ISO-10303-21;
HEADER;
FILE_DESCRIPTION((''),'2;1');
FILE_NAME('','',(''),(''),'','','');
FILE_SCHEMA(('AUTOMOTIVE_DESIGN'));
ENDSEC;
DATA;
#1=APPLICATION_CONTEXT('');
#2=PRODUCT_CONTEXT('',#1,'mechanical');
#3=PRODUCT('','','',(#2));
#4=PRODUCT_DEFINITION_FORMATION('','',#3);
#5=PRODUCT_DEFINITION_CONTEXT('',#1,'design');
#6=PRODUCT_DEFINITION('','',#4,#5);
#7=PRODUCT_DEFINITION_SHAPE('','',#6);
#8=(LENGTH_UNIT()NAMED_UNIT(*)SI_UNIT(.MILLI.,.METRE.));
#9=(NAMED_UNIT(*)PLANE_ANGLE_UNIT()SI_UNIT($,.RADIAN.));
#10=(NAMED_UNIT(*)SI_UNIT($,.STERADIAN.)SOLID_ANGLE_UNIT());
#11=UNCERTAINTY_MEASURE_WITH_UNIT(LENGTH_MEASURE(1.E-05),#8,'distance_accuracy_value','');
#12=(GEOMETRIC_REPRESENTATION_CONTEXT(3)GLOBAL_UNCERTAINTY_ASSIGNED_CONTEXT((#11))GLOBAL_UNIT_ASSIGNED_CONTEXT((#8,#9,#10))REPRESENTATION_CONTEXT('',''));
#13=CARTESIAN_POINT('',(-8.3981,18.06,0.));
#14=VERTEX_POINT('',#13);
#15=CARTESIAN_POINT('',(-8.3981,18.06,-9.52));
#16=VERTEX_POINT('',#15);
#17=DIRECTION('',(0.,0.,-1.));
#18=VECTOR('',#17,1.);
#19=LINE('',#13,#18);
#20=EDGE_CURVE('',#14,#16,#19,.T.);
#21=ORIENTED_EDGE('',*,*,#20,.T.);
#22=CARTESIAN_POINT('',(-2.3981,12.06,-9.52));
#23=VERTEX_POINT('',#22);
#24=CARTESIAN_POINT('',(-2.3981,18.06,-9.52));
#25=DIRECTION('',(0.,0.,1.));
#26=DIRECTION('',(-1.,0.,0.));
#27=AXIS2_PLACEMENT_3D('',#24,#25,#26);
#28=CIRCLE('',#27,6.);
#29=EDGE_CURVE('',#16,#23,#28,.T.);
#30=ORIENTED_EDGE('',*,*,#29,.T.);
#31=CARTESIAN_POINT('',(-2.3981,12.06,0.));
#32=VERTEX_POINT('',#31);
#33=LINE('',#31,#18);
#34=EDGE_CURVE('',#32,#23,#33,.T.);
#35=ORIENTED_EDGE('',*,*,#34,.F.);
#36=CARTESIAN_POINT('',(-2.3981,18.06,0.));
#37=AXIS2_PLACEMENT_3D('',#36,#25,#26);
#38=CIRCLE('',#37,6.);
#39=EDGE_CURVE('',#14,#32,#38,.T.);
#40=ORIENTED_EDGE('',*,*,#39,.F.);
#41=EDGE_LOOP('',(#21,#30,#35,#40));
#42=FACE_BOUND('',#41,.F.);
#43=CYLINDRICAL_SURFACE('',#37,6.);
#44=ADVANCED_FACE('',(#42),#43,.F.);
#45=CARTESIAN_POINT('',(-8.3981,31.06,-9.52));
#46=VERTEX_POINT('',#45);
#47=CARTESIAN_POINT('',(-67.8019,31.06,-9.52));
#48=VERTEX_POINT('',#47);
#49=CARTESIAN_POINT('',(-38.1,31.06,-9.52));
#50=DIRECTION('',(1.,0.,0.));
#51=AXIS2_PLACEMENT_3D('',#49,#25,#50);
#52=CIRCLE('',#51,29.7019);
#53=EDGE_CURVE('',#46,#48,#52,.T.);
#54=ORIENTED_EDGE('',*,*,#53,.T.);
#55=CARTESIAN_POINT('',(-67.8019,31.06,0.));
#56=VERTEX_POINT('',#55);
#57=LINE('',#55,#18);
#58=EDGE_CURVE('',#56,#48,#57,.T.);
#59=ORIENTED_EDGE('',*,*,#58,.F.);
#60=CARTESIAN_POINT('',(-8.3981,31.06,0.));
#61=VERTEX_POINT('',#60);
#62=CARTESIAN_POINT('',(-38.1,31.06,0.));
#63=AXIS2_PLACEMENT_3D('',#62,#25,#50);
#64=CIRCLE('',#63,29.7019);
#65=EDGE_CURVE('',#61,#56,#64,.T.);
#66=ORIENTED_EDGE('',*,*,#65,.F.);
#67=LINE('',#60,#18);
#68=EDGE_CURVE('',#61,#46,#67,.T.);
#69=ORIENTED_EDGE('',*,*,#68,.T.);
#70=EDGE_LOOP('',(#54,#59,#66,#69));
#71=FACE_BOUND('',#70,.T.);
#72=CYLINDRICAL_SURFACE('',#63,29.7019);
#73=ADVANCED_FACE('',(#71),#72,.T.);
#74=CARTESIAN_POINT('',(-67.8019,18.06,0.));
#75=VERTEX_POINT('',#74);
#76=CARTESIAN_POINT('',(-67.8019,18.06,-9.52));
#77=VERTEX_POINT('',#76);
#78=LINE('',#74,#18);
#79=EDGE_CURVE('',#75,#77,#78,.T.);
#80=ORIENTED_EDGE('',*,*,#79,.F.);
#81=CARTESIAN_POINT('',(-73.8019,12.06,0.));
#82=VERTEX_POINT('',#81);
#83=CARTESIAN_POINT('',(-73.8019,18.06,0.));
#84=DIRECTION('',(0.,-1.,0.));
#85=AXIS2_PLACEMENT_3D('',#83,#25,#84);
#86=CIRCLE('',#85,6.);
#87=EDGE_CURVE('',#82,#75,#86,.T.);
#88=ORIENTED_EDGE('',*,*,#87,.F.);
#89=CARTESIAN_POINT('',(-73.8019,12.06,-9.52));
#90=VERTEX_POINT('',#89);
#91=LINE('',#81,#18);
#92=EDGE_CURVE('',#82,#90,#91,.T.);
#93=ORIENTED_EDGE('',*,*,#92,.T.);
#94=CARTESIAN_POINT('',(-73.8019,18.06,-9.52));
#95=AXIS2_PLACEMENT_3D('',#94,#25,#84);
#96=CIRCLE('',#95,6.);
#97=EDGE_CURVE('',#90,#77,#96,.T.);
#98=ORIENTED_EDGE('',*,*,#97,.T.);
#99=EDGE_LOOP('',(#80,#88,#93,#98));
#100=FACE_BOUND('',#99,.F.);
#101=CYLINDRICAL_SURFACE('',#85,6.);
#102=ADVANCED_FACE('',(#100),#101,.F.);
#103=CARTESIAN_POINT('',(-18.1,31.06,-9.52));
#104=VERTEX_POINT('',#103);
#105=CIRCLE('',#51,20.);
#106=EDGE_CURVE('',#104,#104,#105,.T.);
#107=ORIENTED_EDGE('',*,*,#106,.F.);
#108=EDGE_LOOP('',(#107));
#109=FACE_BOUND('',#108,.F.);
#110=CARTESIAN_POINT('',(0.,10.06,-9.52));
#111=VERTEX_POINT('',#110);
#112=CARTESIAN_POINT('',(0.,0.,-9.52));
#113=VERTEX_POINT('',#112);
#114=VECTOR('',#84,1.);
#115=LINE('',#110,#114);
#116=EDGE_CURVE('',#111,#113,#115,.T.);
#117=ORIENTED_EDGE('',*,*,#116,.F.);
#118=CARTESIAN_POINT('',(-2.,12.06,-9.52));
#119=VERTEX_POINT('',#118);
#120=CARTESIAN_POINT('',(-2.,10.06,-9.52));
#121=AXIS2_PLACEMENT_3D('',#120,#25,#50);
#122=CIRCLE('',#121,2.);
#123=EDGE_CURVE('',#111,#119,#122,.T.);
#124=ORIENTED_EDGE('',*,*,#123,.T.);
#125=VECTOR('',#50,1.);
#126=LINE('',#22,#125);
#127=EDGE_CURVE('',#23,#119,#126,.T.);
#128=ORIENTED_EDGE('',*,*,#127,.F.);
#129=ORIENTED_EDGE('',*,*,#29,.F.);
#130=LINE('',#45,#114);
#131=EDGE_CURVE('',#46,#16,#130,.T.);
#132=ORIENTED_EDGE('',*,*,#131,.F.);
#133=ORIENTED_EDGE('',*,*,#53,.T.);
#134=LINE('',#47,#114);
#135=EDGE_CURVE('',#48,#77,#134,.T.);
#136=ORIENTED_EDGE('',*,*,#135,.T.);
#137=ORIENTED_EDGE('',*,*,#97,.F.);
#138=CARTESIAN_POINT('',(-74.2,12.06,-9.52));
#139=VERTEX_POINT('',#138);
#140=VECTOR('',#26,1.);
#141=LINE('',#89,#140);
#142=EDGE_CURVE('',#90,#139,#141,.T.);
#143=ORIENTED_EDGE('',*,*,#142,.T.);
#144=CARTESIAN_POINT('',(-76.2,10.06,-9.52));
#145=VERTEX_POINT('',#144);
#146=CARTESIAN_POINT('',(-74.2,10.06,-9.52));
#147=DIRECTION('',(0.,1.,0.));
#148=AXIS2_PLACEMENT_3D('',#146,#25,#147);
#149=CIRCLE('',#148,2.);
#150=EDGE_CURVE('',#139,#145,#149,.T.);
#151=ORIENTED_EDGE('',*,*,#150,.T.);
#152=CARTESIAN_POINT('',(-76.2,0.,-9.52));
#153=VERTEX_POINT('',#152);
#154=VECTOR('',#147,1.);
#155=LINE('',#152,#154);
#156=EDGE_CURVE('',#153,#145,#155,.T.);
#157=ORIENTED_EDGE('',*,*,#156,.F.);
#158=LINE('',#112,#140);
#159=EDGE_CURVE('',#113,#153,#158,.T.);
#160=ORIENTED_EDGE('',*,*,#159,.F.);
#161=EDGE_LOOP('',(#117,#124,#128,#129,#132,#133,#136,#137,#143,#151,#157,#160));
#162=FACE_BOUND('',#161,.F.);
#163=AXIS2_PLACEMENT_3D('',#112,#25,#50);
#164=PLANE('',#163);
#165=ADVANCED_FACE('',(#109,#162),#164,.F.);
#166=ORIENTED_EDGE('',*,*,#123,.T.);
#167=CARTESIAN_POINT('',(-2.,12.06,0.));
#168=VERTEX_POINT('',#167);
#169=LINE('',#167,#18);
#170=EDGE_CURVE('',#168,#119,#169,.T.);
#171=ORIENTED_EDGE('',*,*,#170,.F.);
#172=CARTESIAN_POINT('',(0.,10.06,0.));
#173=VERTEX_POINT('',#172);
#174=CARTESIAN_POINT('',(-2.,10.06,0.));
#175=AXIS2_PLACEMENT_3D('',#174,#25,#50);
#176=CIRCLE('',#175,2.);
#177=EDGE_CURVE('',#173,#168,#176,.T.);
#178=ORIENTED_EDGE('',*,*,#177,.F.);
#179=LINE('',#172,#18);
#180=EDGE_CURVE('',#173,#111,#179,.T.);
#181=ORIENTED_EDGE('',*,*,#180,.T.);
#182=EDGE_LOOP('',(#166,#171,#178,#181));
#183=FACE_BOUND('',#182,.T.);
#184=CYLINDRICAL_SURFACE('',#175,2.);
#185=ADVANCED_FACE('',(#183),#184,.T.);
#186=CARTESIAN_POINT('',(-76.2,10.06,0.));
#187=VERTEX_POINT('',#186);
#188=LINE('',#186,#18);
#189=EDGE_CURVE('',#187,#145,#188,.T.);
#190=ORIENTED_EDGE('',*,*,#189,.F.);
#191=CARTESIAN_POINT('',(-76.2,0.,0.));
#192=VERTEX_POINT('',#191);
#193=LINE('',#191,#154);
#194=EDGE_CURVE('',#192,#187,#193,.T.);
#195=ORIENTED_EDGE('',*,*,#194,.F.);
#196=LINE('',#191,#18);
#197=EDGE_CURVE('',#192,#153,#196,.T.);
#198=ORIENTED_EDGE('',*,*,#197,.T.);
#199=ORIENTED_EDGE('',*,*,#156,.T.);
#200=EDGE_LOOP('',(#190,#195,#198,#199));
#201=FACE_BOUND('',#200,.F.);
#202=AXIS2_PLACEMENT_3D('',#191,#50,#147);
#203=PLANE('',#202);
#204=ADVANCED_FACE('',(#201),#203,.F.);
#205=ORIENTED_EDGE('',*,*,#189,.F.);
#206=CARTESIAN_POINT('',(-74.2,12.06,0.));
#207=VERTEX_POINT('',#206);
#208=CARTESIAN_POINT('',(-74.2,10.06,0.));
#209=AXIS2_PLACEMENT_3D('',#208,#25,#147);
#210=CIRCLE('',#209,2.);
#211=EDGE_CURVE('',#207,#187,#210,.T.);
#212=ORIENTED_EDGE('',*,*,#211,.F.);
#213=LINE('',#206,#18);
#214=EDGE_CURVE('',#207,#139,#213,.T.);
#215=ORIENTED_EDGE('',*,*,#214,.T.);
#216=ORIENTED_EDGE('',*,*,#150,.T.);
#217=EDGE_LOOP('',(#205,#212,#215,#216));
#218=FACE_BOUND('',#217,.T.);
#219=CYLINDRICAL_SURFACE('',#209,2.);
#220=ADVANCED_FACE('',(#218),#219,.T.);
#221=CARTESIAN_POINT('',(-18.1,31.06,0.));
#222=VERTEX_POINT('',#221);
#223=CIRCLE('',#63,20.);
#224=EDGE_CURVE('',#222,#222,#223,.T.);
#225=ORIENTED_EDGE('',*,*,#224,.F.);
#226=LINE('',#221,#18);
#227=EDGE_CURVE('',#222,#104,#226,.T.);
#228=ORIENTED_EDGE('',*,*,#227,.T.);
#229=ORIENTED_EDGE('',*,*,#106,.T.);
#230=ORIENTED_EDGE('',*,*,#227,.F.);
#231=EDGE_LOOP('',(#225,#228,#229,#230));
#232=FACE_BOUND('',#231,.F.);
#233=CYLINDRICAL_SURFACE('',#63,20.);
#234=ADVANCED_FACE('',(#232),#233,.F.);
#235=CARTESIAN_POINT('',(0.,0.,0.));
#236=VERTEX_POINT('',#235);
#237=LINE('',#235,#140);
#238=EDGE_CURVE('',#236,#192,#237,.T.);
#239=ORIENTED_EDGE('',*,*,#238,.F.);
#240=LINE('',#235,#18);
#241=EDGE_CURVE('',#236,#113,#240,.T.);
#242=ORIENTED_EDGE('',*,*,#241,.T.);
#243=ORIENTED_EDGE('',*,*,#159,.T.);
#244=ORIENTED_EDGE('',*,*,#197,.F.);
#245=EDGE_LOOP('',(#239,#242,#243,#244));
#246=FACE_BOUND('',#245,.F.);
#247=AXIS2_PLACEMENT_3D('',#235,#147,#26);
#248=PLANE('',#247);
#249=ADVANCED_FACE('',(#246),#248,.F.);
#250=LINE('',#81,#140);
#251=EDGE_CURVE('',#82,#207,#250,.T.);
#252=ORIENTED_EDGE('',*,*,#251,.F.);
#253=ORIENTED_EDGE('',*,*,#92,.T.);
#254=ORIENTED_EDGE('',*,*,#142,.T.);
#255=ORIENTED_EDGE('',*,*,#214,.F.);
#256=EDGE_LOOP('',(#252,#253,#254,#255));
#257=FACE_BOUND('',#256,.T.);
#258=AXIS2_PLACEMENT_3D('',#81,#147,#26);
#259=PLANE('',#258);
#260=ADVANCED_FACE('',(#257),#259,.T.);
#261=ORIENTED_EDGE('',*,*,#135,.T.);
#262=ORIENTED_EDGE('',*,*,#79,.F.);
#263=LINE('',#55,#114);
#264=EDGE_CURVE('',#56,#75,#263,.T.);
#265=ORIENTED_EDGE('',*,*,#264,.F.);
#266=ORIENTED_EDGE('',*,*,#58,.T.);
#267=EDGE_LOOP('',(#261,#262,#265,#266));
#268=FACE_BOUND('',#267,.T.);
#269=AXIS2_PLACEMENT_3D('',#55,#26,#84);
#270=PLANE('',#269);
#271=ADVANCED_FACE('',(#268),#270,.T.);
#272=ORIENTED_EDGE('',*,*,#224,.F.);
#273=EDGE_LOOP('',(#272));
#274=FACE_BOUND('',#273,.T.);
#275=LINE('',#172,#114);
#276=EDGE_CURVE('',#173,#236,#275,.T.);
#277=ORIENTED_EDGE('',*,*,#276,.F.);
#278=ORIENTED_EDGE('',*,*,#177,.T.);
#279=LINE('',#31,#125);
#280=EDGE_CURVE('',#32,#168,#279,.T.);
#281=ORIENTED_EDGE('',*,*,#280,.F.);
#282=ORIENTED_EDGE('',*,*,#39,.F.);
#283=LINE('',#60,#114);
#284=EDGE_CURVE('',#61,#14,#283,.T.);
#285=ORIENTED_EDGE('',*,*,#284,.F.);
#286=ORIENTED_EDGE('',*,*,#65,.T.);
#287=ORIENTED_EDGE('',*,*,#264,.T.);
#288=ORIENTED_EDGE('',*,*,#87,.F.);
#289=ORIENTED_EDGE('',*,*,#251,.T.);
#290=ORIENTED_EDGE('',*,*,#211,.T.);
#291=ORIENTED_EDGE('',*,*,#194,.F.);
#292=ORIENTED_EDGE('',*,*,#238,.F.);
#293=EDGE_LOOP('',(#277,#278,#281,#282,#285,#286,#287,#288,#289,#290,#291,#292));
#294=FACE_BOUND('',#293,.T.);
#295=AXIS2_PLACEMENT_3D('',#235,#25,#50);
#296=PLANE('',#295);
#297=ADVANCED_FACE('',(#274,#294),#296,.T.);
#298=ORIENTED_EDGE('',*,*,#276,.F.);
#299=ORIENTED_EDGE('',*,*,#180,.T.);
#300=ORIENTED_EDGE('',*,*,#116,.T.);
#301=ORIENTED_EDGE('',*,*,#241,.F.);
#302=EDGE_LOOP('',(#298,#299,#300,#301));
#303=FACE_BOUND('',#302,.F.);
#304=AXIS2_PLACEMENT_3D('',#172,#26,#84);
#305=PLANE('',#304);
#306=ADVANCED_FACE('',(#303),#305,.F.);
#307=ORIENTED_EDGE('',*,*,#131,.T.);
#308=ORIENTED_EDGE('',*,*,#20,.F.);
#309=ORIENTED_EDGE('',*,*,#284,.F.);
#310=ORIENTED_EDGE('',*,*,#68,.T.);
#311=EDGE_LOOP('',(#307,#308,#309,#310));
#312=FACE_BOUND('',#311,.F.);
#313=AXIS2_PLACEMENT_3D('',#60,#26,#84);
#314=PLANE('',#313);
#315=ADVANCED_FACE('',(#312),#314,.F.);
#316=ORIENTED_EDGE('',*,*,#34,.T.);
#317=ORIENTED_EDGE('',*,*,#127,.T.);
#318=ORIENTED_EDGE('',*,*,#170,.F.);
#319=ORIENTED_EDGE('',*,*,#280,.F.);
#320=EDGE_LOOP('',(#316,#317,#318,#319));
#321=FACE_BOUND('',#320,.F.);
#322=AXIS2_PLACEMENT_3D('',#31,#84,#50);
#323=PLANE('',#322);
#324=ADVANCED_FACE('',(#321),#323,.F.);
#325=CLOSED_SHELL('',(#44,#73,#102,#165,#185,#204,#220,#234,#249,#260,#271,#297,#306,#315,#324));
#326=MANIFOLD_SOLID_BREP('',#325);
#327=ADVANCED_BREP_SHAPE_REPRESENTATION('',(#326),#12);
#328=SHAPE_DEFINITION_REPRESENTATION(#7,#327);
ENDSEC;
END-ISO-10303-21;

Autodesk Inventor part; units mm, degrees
ref_plane "YZ Plane" through (0, 0, 0) normal (1, 0, 0) x (0, 1, 0)
ref_plane "XZ Plane" through (0, 0, 0) normal (0, 1, 0) x (-1, 0, 0)
ref_plane "XY Plane" through (0, 0, 0) normal (0, 0, 1) x (1, 0, 0)
sketch "Esboço1" plane through (0, 0, 0) normal (0, 0, 1) x (1, 0, 0)
  circle A0 centre (-38.1, 31.06) radius 20
  line L0 (0, 0) -> (-76.2, 0)
  line L1 (-76.2, 0) -> (-76.2, 10.06)
  line L2 (0, 10.06) -> (0, 0)
  line L3 (-67.8019, 31.06) -> (-67.8019, 18.06)
  line L4 (-73.8019, 12.06) -> (-74.2, 12.06)
  line L5 (-38.1, 31.06) -> (-38.1, 69.4072) construction
  line L6 (-8.3981, 31.06) -> (-8.3981, 18.06)
  line L7 (-2.3981, 12.06) -> (-2, 12.06)
  arc A1 (-8.3981, 31.06) -> (-67.8019, 31.06) centre (-38.1, 31.06) ccw
  arc A2 (-73.8019, 12.06) -> (-67.8019, 18.06) centre (-73.8019, 18.06) ccw
  arc A3 (-8.3981, 18.06) -> (-2.3981, 12.06) centre (-2.3981, 18.06) ccw
  arc A4 (0, 10.06) -> (-2, 12.06) centre (-2, 10.06) ccw
  arc A5 (-74.2, 12.06) -> (-76.2, 10.06) centre (-74.2, 10.06) ccw
  point P0 (-67.8019, 12.06)
  point P1 (-8.3981, 12.06)
  point P2 (0, 12.06)
  point P3 (-76.2, 12.06)
  dimension "d4" = 40
  dimension "d8" = 31.06
  dimension "d9" = 6
  dimension "d10" = 76.2
  dimension "d11" = 2
extrude "Extrusão1" add sketch "Esboço1" against normal blind 9.52
properties part number "SuporteAquecedor"
